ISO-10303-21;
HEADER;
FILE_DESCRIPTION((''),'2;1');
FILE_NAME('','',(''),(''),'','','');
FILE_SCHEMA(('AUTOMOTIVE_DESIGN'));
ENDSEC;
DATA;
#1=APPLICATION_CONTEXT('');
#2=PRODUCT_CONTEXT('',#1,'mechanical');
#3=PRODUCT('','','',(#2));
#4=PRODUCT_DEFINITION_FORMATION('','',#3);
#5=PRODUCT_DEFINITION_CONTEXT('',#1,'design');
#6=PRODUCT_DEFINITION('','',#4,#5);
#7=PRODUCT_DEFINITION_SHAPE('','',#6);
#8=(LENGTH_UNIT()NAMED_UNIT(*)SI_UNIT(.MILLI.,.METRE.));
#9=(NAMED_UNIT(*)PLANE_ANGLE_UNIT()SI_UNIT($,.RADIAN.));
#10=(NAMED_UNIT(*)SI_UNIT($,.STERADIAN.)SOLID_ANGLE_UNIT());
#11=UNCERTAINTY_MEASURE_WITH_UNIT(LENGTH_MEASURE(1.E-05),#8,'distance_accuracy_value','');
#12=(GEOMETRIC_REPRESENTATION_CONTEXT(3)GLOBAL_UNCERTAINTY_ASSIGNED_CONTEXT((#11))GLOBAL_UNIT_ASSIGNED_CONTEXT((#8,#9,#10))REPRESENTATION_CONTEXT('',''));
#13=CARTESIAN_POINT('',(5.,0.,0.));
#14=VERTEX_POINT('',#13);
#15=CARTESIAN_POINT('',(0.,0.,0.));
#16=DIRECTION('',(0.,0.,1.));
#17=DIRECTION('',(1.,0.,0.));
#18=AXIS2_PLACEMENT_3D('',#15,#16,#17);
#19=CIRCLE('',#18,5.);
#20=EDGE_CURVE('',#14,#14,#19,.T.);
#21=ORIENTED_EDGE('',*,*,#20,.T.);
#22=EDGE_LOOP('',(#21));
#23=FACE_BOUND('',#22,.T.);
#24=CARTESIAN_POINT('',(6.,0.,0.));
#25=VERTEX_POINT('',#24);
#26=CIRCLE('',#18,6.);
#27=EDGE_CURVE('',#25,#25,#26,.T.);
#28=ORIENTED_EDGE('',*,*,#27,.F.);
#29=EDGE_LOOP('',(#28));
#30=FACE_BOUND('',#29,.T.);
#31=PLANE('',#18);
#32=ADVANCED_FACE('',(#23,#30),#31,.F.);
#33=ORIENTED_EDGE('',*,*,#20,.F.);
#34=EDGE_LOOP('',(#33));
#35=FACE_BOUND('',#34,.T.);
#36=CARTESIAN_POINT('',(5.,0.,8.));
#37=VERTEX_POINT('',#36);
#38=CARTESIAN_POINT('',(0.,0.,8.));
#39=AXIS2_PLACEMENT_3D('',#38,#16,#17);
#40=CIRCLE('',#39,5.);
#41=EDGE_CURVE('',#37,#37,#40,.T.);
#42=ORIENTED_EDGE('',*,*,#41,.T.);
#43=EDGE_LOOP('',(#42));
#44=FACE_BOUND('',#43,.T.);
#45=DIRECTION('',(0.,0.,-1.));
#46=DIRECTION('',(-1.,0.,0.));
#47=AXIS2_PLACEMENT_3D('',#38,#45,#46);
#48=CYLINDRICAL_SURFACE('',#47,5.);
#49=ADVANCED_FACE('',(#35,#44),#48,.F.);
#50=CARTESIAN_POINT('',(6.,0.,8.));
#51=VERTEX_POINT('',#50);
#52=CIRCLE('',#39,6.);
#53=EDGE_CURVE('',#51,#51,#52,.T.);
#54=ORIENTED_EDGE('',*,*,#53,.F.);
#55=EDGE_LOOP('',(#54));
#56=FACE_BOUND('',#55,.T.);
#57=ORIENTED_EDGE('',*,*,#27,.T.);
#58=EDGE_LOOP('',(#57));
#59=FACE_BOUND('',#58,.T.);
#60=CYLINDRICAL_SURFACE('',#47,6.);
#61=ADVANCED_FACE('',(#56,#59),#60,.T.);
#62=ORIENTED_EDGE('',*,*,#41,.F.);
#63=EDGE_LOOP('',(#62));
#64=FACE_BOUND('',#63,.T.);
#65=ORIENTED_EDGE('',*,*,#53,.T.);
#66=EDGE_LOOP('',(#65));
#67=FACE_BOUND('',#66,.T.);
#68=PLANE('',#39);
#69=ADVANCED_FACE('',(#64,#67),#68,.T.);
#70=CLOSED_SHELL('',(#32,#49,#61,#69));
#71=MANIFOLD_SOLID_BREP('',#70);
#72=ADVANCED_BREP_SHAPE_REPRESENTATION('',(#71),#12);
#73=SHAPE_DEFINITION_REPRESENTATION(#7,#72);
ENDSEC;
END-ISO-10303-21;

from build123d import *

# Parameters (mm, degrees)
SKETCH_1_R      = 6
SKETCH_1_R_2    = 5
EXTRUDE_1_DEPTH = 8


with BuildPart() as part:
    # 草图1 → 凸台-拉伸1 (new body)
    with BuildSketch(Plane.XY):
        Circle(SKETCH_1_R)
        Circle(SKETCH_1_R_2, mode=Mode.SUBTRACT)
    extrude(amount=EXTRUDE_1_DEPTH)


solid = part.part
